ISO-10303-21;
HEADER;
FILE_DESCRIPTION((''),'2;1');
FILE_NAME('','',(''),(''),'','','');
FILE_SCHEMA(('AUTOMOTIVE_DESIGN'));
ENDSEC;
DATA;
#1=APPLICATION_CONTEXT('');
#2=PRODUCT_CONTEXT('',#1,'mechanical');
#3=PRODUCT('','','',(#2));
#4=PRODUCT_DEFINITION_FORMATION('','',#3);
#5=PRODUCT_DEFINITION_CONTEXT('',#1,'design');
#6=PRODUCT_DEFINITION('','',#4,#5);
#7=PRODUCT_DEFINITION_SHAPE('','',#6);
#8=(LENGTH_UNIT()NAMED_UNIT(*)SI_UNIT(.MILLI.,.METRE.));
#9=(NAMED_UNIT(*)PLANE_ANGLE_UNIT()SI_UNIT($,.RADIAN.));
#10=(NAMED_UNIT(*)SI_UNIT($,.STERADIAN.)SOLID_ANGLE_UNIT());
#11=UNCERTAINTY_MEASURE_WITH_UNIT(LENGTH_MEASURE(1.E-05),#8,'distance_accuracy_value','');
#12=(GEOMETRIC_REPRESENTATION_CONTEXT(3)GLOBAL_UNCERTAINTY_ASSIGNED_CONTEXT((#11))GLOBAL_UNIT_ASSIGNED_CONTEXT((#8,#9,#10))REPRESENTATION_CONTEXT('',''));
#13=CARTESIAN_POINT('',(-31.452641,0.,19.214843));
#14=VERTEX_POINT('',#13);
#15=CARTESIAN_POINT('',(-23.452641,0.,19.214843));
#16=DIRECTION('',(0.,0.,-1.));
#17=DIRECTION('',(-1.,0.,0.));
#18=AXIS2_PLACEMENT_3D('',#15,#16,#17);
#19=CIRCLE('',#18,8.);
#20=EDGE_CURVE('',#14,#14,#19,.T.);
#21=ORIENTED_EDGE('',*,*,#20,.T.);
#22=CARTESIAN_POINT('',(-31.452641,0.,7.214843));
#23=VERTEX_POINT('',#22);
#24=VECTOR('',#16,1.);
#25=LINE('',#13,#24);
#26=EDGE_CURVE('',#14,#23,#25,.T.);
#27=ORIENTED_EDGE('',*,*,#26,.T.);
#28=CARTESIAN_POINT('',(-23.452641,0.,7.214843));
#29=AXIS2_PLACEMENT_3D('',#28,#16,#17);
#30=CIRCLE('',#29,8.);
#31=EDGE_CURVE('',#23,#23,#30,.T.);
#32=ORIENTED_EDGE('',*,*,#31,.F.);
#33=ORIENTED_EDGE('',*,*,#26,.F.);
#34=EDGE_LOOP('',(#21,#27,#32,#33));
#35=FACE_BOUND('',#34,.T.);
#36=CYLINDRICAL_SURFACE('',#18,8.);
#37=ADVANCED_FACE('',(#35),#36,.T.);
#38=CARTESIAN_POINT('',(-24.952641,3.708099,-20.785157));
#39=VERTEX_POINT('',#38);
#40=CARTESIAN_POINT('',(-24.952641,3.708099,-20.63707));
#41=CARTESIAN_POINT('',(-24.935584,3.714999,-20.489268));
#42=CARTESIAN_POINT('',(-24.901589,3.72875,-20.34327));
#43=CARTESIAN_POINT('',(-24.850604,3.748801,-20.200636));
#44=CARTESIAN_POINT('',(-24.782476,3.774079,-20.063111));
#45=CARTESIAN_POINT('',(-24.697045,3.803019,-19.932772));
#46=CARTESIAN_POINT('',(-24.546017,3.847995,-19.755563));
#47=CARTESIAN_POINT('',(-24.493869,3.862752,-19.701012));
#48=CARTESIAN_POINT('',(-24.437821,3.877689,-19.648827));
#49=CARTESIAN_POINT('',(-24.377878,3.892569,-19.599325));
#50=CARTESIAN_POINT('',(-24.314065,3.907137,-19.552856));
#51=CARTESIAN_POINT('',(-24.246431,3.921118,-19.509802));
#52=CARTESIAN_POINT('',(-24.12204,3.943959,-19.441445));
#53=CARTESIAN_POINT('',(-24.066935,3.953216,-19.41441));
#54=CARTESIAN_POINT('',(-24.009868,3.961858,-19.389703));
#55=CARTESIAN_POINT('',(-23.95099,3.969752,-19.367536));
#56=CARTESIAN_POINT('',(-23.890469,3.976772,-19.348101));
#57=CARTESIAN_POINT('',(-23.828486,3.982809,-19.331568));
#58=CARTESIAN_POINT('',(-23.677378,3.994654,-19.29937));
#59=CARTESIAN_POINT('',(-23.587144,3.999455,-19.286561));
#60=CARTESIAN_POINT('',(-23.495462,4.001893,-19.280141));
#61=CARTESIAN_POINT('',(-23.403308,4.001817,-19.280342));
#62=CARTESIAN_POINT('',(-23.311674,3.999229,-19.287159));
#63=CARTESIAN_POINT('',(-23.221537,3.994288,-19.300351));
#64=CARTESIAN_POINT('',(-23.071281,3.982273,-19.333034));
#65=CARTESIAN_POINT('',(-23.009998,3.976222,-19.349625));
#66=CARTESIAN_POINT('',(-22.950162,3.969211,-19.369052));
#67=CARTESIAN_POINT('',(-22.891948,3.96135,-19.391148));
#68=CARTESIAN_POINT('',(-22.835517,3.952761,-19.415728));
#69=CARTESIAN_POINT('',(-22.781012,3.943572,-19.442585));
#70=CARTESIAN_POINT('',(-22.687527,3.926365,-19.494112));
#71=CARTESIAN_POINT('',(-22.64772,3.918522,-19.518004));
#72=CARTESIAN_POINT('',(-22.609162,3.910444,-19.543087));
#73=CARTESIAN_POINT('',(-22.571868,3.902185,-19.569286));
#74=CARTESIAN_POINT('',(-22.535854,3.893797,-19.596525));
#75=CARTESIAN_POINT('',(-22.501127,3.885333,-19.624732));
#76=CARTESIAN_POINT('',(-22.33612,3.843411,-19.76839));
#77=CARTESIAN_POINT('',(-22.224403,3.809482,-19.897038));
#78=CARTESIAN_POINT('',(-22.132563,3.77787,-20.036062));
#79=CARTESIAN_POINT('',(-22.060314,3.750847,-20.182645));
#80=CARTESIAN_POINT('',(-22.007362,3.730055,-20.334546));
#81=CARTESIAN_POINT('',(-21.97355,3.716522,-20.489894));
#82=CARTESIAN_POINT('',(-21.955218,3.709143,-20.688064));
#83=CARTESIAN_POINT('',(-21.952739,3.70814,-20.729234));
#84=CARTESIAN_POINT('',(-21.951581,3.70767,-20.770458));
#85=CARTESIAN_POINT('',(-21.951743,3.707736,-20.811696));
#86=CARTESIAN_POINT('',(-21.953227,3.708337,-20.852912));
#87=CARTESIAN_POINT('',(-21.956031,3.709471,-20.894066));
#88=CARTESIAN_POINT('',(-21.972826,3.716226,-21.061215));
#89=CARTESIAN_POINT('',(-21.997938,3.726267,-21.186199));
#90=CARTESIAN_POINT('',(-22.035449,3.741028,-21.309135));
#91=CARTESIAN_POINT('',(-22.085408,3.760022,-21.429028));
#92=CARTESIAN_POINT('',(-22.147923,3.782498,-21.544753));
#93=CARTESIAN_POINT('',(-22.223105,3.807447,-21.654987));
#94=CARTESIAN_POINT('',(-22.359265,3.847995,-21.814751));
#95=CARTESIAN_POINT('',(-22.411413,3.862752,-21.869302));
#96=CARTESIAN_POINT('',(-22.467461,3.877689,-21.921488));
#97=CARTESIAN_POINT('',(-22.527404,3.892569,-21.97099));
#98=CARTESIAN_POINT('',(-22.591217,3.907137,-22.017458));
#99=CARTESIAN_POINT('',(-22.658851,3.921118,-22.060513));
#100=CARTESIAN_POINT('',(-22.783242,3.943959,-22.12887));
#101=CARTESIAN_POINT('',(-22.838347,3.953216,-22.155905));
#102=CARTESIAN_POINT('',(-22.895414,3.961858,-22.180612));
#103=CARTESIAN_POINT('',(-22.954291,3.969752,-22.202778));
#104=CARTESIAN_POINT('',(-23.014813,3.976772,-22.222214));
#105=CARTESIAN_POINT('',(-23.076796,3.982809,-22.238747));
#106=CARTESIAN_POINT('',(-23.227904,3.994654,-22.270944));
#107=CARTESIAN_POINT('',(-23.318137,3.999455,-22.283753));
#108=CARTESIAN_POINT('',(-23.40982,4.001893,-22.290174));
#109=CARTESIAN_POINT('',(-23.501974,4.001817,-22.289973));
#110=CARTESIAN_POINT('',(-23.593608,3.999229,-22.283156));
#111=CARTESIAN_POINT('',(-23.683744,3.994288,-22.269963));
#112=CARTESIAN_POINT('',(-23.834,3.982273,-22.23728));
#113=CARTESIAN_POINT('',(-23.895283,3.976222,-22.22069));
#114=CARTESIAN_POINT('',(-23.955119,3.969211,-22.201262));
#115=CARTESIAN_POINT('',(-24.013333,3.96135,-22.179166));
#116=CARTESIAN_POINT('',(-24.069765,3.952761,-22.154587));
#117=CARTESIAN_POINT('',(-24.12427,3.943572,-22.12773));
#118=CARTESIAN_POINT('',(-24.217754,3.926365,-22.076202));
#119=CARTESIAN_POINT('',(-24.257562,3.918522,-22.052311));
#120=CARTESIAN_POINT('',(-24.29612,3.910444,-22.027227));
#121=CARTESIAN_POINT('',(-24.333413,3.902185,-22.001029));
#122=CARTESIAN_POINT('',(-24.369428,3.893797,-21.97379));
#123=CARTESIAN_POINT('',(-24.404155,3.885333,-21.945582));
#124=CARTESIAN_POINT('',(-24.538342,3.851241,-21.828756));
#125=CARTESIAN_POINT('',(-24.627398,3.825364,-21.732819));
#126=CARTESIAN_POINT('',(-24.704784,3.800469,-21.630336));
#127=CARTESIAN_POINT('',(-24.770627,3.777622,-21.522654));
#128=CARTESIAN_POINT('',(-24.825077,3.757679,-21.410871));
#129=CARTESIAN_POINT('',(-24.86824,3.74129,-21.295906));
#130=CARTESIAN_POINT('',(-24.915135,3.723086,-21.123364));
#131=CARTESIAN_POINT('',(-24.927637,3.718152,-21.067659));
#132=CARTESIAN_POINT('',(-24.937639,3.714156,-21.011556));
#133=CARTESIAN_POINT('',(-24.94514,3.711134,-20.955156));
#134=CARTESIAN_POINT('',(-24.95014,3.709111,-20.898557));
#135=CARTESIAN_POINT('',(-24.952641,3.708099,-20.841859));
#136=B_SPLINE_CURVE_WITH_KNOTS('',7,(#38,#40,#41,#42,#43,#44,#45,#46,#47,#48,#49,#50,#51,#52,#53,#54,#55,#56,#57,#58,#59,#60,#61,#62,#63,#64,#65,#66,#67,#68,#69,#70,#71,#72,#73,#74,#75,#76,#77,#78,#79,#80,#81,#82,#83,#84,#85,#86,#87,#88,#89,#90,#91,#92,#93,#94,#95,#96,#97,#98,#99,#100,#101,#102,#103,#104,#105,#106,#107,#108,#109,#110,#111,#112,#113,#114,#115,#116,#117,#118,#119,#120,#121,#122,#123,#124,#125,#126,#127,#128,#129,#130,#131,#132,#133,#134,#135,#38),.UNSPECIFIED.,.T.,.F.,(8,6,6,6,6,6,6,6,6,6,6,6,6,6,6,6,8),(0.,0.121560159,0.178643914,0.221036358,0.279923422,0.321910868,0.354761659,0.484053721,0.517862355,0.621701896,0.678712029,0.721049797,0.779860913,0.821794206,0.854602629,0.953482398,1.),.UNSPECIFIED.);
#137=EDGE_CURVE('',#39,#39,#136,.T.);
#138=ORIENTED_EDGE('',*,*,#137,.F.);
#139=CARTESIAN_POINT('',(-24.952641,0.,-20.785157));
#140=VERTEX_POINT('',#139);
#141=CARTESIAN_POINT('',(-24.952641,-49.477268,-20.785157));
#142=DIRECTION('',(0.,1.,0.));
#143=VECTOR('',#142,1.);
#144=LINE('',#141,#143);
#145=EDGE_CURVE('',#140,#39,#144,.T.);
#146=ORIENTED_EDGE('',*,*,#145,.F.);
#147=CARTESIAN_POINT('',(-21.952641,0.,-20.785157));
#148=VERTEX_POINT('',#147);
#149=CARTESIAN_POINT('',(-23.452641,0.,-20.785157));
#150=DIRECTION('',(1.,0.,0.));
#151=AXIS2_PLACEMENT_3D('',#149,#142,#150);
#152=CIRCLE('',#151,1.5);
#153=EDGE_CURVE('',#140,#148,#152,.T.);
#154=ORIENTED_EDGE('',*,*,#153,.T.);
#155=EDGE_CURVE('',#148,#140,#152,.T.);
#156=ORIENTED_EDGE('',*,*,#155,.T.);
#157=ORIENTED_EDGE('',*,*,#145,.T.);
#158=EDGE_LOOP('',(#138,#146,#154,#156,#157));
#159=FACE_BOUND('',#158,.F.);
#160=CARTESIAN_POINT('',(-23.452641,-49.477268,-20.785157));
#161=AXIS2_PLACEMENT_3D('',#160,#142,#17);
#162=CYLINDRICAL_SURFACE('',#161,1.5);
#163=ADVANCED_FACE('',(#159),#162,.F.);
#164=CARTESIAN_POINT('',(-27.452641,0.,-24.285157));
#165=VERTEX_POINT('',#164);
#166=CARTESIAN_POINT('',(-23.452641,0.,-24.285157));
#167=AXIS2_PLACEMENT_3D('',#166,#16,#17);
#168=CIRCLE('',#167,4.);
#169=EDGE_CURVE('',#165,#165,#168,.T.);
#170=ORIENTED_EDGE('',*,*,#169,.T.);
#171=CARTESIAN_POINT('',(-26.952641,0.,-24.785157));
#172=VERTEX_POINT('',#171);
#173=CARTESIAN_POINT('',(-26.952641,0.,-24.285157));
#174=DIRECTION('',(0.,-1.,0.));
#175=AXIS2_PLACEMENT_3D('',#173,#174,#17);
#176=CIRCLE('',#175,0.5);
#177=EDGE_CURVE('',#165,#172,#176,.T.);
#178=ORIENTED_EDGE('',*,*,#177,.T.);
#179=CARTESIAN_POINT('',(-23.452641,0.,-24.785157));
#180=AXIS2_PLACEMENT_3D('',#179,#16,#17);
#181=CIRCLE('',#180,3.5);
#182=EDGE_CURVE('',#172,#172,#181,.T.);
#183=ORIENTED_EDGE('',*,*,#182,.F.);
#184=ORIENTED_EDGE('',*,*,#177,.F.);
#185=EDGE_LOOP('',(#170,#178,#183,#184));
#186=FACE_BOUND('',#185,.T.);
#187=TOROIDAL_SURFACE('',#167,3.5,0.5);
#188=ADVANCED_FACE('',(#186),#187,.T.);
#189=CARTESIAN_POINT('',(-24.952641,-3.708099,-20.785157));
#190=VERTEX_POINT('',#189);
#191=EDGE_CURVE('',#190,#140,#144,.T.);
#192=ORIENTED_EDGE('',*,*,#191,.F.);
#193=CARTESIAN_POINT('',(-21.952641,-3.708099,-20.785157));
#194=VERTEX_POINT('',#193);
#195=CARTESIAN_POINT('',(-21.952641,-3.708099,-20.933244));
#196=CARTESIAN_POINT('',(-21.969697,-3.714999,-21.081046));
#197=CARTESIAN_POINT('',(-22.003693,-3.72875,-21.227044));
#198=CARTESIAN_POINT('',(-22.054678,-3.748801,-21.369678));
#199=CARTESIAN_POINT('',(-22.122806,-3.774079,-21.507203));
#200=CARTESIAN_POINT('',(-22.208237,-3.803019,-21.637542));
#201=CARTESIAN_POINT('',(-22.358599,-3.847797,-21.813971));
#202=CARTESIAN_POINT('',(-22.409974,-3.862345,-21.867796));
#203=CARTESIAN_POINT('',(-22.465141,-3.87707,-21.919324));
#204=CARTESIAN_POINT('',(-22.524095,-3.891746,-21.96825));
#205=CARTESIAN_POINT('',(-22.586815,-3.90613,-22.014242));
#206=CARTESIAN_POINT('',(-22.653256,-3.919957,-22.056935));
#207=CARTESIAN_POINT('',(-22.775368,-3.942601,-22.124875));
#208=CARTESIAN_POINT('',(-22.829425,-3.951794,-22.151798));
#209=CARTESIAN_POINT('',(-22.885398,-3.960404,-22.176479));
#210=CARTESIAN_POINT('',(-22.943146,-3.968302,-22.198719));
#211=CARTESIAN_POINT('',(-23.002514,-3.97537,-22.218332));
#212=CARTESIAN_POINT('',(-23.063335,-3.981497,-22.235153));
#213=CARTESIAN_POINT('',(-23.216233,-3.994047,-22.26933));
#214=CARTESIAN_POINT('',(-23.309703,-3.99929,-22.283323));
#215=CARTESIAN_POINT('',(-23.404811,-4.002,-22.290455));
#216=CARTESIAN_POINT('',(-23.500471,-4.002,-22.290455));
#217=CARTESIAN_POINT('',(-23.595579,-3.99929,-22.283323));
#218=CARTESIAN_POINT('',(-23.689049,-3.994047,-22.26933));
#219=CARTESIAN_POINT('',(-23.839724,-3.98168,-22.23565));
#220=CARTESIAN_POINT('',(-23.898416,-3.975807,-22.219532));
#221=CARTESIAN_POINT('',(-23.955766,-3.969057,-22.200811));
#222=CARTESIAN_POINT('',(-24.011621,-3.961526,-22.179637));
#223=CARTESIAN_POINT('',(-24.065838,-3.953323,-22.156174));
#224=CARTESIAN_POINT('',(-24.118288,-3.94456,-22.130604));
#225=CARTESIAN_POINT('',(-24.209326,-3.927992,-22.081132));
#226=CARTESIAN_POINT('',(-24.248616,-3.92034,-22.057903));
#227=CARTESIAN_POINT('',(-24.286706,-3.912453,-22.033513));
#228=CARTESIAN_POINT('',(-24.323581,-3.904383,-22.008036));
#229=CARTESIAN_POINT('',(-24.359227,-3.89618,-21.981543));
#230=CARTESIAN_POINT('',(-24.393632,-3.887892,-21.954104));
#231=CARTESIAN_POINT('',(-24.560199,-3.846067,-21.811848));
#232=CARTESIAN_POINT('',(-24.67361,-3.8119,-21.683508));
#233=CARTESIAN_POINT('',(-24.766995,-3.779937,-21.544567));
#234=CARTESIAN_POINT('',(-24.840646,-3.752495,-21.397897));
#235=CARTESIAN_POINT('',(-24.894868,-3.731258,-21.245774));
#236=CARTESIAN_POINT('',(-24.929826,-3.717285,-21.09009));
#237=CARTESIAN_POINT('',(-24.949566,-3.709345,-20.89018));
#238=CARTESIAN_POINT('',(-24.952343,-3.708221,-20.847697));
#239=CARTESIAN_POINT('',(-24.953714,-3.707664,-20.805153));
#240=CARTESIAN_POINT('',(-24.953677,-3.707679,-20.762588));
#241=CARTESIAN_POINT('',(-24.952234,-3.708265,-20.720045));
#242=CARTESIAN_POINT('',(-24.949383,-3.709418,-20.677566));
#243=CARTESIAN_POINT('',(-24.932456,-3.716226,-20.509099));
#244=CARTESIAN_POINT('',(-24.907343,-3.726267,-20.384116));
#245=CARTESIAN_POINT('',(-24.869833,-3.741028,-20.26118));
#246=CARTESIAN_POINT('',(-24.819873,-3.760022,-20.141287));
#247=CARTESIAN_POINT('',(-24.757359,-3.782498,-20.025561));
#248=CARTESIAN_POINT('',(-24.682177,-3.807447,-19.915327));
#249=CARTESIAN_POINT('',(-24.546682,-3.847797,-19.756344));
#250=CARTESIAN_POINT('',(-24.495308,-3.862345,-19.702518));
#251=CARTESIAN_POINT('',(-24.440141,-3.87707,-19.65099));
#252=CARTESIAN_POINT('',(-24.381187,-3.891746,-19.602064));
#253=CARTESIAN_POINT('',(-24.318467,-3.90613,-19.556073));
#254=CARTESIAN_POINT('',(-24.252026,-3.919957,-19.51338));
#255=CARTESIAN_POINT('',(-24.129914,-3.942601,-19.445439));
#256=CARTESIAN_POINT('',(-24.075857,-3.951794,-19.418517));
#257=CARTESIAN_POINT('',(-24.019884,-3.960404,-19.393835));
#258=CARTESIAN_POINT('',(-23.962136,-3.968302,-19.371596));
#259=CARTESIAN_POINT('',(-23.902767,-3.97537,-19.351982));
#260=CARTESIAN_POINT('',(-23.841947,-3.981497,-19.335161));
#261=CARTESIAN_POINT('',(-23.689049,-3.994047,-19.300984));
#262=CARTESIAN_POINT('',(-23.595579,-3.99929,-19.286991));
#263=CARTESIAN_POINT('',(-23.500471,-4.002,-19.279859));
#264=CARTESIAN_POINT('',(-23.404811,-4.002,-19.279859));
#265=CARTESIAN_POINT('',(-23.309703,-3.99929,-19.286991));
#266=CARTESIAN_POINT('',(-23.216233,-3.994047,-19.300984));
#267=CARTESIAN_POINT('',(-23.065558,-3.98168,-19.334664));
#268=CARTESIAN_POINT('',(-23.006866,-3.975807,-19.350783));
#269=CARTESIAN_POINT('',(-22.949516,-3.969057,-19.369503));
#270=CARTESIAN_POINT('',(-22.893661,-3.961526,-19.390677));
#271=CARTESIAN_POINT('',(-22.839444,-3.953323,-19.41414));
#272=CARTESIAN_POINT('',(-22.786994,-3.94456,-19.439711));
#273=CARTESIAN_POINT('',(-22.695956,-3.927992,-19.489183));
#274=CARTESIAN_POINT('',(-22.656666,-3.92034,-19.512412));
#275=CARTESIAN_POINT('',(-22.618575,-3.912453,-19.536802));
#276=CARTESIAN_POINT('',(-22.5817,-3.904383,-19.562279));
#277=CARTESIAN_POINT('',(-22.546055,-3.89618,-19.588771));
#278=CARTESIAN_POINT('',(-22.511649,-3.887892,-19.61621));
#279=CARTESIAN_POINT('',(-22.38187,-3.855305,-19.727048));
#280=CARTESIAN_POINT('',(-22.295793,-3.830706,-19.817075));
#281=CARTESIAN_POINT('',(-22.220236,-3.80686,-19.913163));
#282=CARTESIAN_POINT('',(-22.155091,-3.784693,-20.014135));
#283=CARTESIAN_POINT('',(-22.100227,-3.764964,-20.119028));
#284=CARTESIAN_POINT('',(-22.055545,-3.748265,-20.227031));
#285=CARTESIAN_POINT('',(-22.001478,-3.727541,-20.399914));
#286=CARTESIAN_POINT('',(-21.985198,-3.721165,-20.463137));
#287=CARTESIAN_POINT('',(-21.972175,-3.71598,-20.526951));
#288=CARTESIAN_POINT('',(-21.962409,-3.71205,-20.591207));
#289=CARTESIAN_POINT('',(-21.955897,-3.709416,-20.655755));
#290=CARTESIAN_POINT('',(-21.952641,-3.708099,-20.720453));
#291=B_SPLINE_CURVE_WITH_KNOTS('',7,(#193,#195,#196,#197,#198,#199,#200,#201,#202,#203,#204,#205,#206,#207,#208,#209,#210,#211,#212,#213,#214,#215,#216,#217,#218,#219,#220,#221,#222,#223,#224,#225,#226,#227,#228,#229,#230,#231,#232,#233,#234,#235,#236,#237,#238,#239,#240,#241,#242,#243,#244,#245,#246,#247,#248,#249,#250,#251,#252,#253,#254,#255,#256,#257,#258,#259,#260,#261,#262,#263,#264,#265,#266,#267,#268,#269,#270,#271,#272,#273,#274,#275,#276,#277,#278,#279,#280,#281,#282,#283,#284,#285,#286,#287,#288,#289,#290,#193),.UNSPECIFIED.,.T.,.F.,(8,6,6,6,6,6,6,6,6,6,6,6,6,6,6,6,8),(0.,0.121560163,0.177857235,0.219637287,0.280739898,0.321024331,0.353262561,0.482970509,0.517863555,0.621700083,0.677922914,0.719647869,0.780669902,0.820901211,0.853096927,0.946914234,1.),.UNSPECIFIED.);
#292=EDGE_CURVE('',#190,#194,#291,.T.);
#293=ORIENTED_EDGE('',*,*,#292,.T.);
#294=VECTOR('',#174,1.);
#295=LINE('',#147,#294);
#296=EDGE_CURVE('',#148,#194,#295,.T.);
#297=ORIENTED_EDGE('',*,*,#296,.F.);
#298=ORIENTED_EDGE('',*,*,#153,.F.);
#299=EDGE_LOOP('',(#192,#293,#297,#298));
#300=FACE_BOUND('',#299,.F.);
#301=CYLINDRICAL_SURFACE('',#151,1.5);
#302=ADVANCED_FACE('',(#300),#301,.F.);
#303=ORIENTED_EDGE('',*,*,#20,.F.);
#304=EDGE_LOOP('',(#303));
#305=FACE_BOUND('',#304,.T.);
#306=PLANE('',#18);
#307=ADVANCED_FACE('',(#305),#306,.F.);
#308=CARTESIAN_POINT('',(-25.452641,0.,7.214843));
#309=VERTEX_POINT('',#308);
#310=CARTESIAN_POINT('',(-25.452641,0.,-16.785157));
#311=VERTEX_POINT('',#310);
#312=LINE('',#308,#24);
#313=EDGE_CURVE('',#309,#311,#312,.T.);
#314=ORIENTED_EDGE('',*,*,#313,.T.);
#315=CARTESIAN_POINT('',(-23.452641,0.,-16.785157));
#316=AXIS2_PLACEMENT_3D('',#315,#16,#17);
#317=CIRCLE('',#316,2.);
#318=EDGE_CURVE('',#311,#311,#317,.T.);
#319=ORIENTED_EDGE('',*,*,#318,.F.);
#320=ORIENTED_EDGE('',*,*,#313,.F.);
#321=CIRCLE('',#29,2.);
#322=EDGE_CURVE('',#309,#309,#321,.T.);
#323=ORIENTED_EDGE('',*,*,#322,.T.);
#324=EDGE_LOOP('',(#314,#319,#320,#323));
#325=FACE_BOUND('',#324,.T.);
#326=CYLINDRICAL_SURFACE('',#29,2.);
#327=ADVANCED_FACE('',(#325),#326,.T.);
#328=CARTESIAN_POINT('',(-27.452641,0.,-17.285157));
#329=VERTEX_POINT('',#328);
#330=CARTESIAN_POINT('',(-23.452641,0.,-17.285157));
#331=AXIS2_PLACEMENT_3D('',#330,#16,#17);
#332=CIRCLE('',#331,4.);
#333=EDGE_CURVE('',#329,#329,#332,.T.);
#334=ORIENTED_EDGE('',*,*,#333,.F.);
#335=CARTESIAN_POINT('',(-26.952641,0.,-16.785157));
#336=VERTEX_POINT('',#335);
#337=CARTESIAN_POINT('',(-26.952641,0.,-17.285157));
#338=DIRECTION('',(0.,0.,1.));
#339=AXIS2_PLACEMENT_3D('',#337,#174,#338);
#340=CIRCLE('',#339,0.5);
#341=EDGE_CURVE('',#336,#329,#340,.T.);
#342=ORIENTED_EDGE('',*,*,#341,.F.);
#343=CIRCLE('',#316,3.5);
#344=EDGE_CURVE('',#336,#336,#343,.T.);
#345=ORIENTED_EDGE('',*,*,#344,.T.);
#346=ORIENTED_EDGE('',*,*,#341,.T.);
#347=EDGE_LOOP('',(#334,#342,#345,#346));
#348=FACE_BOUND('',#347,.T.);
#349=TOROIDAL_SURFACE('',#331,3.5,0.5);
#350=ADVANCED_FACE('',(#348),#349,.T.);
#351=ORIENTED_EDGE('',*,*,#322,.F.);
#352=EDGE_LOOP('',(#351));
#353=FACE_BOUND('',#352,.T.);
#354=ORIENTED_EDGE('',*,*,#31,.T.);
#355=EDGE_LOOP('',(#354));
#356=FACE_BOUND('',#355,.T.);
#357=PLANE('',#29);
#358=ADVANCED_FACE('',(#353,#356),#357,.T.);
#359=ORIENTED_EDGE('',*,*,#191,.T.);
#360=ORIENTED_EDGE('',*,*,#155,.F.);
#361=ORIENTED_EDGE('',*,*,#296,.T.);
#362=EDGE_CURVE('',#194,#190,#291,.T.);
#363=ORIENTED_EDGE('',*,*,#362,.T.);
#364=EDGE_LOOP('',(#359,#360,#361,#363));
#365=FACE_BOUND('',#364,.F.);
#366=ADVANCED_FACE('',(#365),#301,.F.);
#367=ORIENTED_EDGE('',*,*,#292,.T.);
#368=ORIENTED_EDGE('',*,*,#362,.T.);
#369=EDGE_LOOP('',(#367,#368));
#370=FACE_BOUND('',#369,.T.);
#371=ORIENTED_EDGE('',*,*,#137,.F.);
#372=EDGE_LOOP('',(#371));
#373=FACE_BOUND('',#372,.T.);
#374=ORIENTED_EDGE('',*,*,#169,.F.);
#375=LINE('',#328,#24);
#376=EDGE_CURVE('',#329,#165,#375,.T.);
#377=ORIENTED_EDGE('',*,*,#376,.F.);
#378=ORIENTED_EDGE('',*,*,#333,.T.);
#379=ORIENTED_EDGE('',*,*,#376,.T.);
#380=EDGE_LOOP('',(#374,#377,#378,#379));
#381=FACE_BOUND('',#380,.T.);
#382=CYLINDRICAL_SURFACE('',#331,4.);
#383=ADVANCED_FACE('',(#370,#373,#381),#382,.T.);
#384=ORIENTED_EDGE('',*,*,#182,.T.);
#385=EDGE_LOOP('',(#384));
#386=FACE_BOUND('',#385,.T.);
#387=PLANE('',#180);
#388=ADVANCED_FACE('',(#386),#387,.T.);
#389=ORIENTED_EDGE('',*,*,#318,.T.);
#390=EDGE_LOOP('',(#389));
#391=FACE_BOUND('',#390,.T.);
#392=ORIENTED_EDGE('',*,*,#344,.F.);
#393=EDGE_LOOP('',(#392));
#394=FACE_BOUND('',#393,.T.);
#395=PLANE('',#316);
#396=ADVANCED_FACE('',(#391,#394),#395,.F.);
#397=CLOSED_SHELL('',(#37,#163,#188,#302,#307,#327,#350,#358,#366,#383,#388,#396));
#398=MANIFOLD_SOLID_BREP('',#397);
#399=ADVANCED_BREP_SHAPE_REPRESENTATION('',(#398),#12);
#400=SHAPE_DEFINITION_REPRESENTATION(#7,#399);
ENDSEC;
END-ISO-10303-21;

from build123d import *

# Parameters (mm, degrees)
F2_D     = 3
F2_DEPTH = 8.001
F3_D     = 3


with BuildPart() as f1:
    # F0 (on Front) → F1 (revolve)
    with BuildSketch(Plane.XZ):
        with BuildLine():
            Line((-23.4526408911, -24.7851572111), (-23.4526408911, 19.2148427889))
            Line((-23.4526408911, 19.2148427889), (-31.4526408911, 19.2148427889))
            Line((-31.4526408911, 19.2148427889), (-31.4526408911, 7.2148427889))
            Line((-31.4526408911, 7.2148427889), (-25.4526408911, 7.2148427889))
            Line((-25.4526408911, 7.2148427889), (-25.4526408911, -16.7851572111))
            Line((-25.4526408911, -16.7851572111), (-26.9526408911, -16.7851572111))
            ThreePointArc((-26.9526408911, -16.7851572111), (-27.3061942817, -16.9316038205), (-27.4526408911, -17.2851572111))
            Line((-27.4526408911, -17.2851572111), (-27.4526408911, -24.2851572111))
            ThreePointArc((-27.4526408911, -24.2851572111), (-27.3061942817, -24.6387106017), (-26.9526408911, -24.7851572111))
            Line((-26.9526408911, -24.7851572111), (-23.4526408911, -24.7851572111))
        make_face()
    revolve(axis=Axis((-23.4526408911, 0, -2.7851572111), (0, 0, -1)))

    # F2 (through all, one way)
    with BuildSketch(Plane(origin=(0, 0, 0), x_dir=(1, 0, 0), z_dir=(0, 1, 0))):
        with Locations((-23.4526408911, 20.7851572111)):
            Circle(F2_D / 2)
    extrude(amount=-F2_DEPTH, mode=Mode.SUBTRACT)

    # F3 (through all)
    with Locations(Plane.XZ):
        with Locations((-23.4526408911, -20.7851572111)):
            Hole(F3_D / 2)


solid = f1.part
